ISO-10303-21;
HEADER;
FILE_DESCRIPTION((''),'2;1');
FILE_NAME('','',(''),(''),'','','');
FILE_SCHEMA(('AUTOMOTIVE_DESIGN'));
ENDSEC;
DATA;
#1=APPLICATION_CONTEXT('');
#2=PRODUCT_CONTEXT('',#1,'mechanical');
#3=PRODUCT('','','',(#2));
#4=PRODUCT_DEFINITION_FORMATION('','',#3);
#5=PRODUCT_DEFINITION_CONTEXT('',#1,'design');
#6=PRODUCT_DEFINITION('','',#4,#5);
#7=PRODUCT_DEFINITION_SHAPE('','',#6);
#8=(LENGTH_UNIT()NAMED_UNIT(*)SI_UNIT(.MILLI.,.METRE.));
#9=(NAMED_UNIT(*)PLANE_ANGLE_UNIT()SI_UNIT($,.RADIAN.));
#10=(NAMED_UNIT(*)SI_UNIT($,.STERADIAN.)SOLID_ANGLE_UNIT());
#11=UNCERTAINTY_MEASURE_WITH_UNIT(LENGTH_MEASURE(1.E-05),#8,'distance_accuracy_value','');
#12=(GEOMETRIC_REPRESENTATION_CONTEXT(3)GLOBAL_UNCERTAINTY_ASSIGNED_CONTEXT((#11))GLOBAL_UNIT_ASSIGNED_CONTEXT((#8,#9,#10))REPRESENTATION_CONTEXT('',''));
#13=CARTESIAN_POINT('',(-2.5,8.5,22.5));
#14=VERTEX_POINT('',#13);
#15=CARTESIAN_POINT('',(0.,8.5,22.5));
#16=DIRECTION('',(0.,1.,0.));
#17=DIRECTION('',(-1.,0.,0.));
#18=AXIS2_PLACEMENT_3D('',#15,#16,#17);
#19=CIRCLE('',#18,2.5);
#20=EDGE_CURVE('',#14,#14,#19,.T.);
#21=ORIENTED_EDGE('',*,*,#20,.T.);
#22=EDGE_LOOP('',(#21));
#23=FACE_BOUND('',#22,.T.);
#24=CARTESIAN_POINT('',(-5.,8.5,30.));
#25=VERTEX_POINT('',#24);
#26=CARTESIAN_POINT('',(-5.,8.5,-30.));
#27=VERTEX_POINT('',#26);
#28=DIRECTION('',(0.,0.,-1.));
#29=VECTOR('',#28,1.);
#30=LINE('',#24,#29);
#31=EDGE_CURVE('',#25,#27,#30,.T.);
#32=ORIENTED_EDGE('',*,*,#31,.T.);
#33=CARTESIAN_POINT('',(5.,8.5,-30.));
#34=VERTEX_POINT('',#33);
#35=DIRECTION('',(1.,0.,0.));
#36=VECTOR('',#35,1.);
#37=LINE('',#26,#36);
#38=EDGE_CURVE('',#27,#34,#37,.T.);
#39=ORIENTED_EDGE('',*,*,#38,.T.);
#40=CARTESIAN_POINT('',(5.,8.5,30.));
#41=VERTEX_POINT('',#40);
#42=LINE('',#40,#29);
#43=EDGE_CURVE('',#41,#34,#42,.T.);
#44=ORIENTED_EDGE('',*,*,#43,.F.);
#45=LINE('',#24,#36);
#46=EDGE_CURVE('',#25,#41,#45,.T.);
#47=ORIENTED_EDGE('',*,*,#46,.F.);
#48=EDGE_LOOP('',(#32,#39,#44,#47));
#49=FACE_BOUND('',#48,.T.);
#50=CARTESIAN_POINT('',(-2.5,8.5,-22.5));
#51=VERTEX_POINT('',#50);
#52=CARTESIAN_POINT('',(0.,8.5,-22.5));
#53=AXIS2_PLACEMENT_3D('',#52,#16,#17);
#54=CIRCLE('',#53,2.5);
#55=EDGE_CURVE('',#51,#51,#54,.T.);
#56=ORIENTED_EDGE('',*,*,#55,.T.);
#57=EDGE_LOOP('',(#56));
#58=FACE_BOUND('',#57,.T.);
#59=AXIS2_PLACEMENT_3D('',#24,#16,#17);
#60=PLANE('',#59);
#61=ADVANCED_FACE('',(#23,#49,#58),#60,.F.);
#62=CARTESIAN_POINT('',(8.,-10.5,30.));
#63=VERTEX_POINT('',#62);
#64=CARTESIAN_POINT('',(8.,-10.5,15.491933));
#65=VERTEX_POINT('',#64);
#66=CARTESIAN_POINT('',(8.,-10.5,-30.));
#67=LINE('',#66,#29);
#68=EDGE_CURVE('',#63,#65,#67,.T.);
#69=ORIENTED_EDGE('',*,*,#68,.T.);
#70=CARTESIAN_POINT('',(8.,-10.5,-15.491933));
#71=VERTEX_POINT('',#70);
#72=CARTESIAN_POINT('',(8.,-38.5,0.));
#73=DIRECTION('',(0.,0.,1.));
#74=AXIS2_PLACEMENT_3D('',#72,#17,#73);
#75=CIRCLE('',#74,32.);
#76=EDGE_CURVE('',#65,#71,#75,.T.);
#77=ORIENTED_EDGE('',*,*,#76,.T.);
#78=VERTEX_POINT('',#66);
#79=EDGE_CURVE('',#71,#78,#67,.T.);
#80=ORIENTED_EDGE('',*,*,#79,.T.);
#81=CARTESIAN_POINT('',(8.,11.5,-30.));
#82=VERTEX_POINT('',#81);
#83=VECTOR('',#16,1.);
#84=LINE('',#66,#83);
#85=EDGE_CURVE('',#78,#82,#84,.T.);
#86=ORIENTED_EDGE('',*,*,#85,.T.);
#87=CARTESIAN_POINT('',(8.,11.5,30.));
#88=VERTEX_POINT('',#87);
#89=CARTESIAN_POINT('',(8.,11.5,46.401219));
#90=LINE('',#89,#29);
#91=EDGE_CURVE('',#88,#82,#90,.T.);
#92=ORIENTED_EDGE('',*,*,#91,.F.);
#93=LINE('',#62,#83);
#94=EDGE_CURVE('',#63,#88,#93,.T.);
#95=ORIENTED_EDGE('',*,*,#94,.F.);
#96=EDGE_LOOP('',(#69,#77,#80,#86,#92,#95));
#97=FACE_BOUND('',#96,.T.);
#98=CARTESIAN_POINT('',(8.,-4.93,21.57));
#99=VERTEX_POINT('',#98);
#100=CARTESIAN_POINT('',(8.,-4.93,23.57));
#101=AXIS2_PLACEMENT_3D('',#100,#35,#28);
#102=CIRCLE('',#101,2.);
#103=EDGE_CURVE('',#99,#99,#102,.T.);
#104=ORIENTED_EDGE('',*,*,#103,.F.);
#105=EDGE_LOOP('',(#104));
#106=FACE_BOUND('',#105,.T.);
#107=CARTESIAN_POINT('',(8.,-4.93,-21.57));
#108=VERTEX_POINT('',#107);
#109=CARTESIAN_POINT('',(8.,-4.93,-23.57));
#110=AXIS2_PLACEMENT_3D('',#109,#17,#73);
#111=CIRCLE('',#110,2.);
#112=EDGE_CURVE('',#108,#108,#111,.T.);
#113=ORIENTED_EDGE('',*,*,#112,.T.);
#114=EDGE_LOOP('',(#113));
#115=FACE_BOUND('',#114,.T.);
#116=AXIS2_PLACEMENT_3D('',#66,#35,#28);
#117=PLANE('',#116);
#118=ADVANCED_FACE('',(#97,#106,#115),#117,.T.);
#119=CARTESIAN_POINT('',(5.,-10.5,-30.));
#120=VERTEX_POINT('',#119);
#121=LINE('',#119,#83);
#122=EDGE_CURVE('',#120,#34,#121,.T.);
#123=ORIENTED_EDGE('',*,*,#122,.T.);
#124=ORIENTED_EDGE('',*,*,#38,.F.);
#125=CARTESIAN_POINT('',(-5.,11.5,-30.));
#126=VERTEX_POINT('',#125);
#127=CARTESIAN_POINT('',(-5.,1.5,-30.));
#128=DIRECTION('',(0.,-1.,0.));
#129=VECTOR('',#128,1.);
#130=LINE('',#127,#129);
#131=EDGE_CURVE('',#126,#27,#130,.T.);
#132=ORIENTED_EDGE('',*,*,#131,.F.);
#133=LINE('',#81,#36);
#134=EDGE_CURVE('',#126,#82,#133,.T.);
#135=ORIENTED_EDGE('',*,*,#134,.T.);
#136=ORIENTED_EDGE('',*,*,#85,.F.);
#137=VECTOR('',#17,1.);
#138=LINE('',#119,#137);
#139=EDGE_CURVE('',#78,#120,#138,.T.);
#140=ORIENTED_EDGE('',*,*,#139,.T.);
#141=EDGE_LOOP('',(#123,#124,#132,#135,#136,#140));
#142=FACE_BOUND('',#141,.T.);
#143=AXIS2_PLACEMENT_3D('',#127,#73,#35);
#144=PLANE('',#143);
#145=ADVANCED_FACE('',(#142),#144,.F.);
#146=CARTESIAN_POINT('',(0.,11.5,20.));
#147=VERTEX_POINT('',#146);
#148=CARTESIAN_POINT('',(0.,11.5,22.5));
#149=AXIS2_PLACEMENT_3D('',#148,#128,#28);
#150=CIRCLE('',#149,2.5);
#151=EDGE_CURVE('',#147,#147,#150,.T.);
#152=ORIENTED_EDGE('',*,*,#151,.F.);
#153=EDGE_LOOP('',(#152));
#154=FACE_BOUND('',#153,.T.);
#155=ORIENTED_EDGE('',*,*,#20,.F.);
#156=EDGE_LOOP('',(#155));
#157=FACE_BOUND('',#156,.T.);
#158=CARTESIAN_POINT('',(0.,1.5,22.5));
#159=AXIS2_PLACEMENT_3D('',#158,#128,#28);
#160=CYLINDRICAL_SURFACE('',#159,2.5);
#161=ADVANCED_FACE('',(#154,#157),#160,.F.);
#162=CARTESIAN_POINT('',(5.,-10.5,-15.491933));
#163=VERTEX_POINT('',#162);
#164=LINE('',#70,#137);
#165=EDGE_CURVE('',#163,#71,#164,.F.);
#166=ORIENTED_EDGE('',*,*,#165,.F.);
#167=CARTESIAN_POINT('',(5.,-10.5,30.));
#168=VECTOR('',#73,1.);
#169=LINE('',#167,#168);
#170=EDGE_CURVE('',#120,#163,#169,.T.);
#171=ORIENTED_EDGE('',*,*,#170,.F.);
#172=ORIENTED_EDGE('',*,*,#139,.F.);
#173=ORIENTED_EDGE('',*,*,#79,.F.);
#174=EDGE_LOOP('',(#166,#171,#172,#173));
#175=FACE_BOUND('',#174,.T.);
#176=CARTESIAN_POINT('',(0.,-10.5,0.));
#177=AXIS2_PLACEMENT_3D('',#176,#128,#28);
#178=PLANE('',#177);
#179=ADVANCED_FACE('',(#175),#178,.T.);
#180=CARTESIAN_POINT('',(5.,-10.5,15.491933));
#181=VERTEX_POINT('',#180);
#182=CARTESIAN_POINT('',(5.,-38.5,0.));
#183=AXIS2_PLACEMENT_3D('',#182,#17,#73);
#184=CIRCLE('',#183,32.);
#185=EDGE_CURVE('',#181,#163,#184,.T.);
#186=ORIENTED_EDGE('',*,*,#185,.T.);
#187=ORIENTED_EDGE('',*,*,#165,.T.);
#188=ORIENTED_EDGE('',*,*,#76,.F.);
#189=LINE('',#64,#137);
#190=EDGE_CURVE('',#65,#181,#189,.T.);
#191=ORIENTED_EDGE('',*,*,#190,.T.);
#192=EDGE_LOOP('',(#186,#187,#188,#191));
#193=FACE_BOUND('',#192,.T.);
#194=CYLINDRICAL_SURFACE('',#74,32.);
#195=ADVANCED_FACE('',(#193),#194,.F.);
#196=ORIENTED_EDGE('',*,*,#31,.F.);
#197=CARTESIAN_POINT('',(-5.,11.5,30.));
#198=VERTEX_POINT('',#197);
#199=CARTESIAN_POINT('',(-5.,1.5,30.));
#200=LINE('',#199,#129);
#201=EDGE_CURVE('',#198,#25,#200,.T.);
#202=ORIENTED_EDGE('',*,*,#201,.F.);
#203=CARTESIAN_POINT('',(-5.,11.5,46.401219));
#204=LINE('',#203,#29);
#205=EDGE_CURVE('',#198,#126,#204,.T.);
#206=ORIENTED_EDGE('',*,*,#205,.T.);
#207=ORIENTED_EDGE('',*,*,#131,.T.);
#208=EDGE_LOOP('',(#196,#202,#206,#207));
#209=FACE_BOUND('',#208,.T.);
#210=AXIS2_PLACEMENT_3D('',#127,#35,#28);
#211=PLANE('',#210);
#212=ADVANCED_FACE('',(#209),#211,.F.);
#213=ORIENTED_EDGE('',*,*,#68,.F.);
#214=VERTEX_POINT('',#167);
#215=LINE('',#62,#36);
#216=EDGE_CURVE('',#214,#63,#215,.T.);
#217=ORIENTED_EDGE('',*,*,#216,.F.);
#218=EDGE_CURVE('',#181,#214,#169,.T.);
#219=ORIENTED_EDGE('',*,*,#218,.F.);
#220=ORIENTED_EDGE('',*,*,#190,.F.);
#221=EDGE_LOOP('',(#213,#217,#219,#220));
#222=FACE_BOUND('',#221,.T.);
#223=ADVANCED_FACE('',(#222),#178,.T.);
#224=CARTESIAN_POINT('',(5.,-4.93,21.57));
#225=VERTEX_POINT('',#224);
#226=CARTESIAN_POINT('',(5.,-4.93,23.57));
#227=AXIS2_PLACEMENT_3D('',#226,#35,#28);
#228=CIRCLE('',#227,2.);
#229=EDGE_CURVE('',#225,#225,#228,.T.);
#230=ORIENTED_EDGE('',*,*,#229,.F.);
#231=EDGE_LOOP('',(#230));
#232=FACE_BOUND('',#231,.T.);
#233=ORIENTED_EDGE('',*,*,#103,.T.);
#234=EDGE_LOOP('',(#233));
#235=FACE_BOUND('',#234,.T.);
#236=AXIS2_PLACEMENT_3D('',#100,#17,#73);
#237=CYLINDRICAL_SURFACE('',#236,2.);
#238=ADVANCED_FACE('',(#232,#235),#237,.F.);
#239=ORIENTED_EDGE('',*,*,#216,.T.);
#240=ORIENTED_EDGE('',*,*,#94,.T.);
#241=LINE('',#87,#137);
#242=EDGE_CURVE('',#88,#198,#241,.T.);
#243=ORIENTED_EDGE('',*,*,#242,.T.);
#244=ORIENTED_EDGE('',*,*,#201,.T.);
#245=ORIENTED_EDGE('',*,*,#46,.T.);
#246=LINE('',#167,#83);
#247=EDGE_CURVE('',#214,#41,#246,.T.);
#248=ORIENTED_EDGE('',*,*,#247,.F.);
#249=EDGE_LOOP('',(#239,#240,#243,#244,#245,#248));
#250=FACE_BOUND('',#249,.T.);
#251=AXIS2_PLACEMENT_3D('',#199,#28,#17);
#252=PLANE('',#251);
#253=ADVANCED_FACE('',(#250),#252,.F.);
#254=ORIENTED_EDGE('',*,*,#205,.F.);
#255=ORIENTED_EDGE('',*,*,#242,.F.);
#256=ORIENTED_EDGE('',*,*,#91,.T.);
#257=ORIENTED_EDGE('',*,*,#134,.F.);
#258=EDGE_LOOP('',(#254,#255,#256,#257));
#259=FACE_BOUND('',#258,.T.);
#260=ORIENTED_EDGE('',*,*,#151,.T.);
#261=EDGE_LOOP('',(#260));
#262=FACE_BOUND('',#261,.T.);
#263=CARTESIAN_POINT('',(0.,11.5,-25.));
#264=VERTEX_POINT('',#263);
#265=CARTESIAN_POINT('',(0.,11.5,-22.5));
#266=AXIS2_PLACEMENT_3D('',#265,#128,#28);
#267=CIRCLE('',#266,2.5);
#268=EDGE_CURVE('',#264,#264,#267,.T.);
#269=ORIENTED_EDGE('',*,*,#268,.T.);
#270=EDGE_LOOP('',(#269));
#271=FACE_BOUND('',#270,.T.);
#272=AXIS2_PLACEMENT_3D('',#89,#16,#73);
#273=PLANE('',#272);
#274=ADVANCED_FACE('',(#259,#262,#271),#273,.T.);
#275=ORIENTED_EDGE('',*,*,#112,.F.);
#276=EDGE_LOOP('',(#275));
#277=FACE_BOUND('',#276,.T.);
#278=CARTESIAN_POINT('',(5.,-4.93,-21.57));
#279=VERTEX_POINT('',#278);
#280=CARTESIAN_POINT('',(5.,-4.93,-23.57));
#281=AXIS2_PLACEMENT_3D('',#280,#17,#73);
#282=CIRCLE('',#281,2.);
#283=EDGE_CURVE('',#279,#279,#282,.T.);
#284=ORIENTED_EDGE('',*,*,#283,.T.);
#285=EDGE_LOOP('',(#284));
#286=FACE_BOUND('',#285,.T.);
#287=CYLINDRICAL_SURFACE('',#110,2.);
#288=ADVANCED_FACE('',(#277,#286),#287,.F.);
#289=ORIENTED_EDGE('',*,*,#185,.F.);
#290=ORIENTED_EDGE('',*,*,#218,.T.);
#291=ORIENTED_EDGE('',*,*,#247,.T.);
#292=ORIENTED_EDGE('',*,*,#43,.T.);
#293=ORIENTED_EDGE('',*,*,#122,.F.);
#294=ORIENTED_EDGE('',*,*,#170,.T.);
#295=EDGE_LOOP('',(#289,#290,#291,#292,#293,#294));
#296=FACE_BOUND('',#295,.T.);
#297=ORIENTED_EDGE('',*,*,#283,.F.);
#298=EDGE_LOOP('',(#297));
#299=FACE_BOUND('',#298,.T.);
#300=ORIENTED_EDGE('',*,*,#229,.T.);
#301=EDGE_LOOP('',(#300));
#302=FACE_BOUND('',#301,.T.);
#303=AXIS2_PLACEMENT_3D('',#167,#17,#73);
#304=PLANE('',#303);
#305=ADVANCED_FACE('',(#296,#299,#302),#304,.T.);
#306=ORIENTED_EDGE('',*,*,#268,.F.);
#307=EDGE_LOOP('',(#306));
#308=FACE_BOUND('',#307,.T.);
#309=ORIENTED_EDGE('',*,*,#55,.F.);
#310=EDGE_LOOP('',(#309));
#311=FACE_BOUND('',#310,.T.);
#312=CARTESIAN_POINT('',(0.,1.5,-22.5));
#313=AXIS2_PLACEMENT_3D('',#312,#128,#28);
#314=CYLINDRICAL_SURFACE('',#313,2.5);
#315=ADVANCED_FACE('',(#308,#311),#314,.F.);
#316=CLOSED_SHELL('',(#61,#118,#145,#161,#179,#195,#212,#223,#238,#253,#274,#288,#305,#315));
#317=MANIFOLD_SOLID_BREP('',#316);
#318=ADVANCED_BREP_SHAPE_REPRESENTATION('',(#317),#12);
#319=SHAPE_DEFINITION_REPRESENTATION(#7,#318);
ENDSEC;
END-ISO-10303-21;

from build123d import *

# Parameters (mm, degrees)
CROQUIS1_W              = 10
CROQUIS1_H              = 60
CROQUIS1_R              = 2.5
SALIENTE_EXTRUIR1_DEPTH = 1.5
CROQUIS2_W              = 3
CROQUIS2_H              = 60
SALIENTE_EXTRUIR2_DEPTH = 12
CROQUIS4_R              = 32
CORTAR_EXTRUIR2_DEPTH   = 34.320414163
SKETCH1_W               = 13
SKETCH1_H               = 10
BOSS_EXTRUDE1_DEPTH     = 60
SKETCH2_R               = 2.5
CUT_EXTRUDE1_DEPTH      = 34.109666262
SKETCH3_W               = 10
SKETCH3_H               = 8.5
CUT_EXTRUDE2_DEPTH      = 62.613716005
SKETCH4_R               = 2
CUT_EXTRUDE3_DEPTH      = 34.648922717


with BuildPart() as part:
    # Croquis1 → Saliente-Extruir1 (new body)
    with BuildSketch(Plane(origin=(0, 0, 0), x_dir=(1, 0, 0), z_dir=(0, 1, 0))):
        Rectangle(CROQUIS1_W, CROQUIS1_H)
        with Locations(Location((0, 22.5, 0), (0, 0, 270))):
            Circle(CROQUIS1_R, mode=Mode.SUBTRACT)
        with Locations(Location((0, -22.5, 0), (0, 0, 270))):
            Circle(CROQUIS1_R, mode=Mode.SUBTRACT)
    extrude(amount=SALIENTE_EXTRUIR1_DEPTH)

    # Croquis2 → Saliente-Extruir2 (add)
    with BuildSketch(Plane(origin=(0, 1.5, 0), x_dir=(1, 0, 0), z_dir=(0, 1, 0))):
        with Locations((6.5, 0)):
            Rectangle(CROQUIS2_W, CROQUIS2_H)
    extrude(amount=-SALIENTE_EXTRUIR2_DEPTH)

    # Croquis4 → Cortar-Extruir2 (cut, through all)
    with BuildSketch(Plane.ZY.offset(-5)):
        with Locations((0, -38.5)):
            Circle(CROQUIS4_R)
    extrude(amount=-CORTAR_EXTRUIR2_DEPTH, mode=Mode.SUBTRACT)

    # Sketch1 → Boss-Extrude1 (add)
    with BuildSketch(Plane(origin=(0, 0, -30), x_dir=(-1, 0, 0), z_dir=(0, 0, -1))):
        with Locations((-1.5, 6.5)):
            Rectangle(SKETCH1_W, SKETCH1_H)
    extrude(amount=-BOSS_EXTRUDE1_DEPTH)

    # Sketch2 → Cut-Extrude1 (cut, through all)
    with BuildSketch(Plane.XZ):
        with Locations(Location((0, -22.5, 0), (0, 0, 270))):
            Circle(SKETCH2_R)
        with Locations(Location((0, 22.5, 0), (0, 0, 270))):
            Circle(SKETCH2_R)
    extrude(amount=-CUT_EXTRUDE1_DEPTH, mode=Mode.SUBTRACT)

    # Sketch3 → Cut-Extrude2 (cut, through all)
    with BuildSketch(Plane(origin=(0, 0, -30), x_dir=(-1, 0, 0), z_dir=(0, 0, -1))):
        with Locations((0, 4.25)):
            Rectangle(SKETCH3_W, SKETCH3_H)
    extrude(amount=-CUT_EXTRUDE2_DEPTH, mode=Mode.SUBTRACT)

    # Sketch4 → Cut-Extrude3 (cut, through all)
    with BuildSketch(Plane.ZY.offset(-5)):
        with Locations((-23.57, -4.93)):
            Circle(SKETCH4_R)
    cut_extrude3 = extrude(amount=-CUT_EXTRUDE3_DEPTH, mode=Mode.SUBTRACT)

    # Mirror1: Cut-Extrude3 across plane
    add(cut_extrude3.mirror(Plane.XY), mode=Mode.SUBTRACT)


solid = part.part
